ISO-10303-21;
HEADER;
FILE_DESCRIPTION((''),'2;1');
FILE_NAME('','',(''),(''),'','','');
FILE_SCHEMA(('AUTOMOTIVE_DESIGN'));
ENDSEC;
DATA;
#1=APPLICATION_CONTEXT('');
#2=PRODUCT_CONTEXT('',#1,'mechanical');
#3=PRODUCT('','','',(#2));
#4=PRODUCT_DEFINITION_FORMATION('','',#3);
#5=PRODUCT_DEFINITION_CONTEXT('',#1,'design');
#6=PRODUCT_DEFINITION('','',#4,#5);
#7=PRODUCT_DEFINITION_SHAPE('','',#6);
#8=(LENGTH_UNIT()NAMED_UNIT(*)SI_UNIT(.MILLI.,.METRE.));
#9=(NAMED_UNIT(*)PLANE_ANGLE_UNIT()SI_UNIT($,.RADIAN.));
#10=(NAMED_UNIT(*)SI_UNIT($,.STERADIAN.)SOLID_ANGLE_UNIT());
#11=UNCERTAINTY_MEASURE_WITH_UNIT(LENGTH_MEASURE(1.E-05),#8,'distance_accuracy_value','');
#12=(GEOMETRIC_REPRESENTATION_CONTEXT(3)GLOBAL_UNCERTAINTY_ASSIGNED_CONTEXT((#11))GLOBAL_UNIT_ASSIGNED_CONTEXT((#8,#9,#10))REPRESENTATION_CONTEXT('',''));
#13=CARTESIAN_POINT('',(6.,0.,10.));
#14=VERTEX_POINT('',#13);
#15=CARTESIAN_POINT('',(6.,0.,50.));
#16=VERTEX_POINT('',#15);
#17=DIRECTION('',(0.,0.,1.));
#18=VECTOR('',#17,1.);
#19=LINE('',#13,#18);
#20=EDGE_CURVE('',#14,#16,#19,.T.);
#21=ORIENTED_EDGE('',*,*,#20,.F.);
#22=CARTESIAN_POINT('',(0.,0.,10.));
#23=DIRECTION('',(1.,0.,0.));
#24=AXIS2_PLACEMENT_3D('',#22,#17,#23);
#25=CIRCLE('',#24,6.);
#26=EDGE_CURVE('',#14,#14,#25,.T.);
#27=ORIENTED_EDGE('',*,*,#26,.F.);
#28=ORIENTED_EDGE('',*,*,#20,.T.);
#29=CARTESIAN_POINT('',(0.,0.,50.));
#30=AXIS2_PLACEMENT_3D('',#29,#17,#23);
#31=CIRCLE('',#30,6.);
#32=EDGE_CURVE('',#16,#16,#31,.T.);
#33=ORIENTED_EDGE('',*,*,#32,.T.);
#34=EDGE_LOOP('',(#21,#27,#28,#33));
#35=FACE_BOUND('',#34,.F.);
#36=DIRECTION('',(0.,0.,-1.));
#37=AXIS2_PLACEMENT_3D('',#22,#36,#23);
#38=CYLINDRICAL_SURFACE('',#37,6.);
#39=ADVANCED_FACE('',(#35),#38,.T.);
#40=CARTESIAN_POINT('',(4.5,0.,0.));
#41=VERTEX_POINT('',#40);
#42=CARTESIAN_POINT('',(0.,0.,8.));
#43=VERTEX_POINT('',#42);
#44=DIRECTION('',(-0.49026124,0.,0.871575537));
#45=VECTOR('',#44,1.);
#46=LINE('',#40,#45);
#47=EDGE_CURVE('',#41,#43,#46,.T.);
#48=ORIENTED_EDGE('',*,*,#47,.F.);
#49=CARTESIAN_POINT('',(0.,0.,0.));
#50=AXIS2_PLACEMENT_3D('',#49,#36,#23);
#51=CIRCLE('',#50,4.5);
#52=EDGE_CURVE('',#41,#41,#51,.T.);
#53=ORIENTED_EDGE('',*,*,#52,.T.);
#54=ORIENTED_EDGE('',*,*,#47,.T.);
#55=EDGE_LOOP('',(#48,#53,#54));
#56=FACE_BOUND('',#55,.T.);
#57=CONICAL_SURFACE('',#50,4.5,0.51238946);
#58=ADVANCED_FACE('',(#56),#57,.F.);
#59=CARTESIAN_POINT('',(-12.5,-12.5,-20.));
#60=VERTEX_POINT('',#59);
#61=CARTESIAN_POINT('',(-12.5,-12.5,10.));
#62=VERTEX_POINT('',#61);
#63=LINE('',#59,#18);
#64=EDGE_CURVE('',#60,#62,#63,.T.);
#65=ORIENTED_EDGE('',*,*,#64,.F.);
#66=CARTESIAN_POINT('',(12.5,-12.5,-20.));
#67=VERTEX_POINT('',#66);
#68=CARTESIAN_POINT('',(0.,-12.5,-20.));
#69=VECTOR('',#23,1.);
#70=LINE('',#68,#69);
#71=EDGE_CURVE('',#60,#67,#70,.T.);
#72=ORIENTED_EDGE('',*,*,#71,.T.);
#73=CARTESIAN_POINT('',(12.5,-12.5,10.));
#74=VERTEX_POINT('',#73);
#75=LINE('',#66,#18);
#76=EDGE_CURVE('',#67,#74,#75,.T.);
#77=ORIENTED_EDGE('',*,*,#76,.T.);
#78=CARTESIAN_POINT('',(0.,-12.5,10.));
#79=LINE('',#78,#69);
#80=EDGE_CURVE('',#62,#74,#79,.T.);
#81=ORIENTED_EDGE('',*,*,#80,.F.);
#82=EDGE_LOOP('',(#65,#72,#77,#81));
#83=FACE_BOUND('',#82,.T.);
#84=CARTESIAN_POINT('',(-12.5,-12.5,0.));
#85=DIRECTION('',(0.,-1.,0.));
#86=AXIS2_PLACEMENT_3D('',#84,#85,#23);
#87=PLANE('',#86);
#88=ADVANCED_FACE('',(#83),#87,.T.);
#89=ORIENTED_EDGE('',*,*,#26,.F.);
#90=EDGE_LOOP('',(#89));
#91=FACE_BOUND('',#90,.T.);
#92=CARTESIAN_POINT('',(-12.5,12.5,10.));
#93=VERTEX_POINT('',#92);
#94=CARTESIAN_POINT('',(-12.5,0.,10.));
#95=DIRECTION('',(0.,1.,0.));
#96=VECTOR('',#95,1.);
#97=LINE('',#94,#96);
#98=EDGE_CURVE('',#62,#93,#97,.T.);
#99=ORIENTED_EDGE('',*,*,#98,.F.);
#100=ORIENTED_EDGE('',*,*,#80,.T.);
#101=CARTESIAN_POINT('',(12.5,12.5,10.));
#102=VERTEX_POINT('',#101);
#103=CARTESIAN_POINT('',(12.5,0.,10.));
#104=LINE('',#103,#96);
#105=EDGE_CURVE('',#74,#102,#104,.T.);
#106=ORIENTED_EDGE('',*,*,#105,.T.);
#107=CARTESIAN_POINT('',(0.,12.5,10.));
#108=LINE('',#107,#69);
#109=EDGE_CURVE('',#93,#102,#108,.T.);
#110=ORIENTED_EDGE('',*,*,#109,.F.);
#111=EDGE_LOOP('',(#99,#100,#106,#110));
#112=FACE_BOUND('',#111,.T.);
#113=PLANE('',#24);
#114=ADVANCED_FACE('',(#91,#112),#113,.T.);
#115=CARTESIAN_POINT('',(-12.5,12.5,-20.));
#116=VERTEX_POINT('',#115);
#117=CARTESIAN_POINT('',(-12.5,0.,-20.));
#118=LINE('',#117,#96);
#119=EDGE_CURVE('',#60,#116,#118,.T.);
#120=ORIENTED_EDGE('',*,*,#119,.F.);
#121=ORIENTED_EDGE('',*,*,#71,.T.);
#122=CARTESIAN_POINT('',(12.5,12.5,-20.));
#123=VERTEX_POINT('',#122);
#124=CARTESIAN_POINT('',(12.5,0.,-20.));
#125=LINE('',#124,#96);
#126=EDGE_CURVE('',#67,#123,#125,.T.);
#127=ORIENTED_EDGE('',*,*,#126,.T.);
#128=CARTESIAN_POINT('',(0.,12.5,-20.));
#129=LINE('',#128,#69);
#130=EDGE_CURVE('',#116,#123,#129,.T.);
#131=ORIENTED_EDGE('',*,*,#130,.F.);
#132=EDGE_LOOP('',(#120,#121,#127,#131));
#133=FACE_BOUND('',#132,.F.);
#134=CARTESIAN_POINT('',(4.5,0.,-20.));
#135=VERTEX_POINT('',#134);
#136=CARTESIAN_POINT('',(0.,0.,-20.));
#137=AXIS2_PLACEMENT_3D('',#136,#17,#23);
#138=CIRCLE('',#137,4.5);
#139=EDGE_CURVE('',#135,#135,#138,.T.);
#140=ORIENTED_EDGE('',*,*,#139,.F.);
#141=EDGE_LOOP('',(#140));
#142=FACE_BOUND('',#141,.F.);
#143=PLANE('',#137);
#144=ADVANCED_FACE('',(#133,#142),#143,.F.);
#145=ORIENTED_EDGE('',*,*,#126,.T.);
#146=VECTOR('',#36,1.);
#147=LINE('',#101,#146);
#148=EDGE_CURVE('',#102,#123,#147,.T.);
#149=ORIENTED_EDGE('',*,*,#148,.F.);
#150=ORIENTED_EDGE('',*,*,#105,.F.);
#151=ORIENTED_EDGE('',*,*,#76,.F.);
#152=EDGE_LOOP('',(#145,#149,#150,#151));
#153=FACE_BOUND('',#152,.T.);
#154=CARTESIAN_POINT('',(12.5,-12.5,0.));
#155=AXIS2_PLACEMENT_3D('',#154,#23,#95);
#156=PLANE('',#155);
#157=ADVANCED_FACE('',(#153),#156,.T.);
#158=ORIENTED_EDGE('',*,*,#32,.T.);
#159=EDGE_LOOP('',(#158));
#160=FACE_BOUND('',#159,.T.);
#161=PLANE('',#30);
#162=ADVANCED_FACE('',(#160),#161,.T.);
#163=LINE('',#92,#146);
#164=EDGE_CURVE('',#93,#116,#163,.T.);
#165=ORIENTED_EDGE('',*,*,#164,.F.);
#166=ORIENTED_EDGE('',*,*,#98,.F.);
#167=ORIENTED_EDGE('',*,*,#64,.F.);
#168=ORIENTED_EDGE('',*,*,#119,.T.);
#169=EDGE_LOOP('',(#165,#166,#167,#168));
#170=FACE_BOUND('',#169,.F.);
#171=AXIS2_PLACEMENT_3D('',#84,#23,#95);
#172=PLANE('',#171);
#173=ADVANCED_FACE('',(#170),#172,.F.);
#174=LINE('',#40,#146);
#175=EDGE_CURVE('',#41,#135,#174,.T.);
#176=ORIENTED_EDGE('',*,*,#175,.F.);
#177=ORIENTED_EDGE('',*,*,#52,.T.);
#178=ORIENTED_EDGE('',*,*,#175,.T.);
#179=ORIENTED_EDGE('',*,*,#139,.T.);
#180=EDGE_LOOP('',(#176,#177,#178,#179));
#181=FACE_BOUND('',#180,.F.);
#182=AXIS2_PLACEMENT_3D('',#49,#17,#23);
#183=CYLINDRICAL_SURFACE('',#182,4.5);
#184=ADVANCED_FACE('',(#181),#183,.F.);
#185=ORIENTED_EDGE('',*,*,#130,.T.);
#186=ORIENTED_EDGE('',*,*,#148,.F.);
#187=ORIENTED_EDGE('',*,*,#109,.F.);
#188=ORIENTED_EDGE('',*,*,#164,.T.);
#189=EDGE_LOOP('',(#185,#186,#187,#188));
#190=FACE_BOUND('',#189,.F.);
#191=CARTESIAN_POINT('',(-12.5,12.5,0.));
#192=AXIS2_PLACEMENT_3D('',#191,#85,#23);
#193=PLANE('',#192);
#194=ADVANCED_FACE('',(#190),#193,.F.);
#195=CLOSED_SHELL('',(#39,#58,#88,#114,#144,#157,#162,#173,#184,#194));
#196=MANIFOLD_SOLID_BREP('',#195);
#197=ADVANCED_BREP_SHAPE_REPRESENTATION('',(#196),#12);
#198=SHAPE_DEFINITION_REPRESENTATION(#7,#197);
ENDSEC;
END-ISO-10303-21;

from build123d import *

# Parameters (mm, degrees)
F0_W     = 25
F0_H     = 25
F1_DEPTH = 10
F4_W     = 25
F4_H     = 25
F4_R     = 4.5
F5_DEPTH = 20
F6_R     = 6
F7_DEPTH = 40


with BuildPart() as f1:
    # F0 (on Top) → F1 (new body)
    with BuildSketch(Plane.XY):
        Rectangle(F0_W, F0_H)
    extrude(amount=F1_DEPTH)

    # F2 (on Front) → F3 (revolve, cut)
    with BuildSketch(Plane.XZ):
        Polygon((4.5, 0), (0, 8), (0, 0), align=None)
    revolve(axis=Axis((0, 0, 4), (0, 0, -1)), mode=Mode.SUBTRACT)

    # F4 (on Top) → F5 (join)
    with BuildSketch(Plane.XY):
        Rectangle(F4_W, F4_H)
        Circle(F4_R, mode=Mode.SUBTRACT)
    extrude(amount=-F5_DEPTH)

    # F6 (on face) → F7 (join)
    with BuildSketch(Plane.XY.offset(10)):
        Circle(F6_R)
    extrude(amount=F7_DEPTH)


solid = f1.part
